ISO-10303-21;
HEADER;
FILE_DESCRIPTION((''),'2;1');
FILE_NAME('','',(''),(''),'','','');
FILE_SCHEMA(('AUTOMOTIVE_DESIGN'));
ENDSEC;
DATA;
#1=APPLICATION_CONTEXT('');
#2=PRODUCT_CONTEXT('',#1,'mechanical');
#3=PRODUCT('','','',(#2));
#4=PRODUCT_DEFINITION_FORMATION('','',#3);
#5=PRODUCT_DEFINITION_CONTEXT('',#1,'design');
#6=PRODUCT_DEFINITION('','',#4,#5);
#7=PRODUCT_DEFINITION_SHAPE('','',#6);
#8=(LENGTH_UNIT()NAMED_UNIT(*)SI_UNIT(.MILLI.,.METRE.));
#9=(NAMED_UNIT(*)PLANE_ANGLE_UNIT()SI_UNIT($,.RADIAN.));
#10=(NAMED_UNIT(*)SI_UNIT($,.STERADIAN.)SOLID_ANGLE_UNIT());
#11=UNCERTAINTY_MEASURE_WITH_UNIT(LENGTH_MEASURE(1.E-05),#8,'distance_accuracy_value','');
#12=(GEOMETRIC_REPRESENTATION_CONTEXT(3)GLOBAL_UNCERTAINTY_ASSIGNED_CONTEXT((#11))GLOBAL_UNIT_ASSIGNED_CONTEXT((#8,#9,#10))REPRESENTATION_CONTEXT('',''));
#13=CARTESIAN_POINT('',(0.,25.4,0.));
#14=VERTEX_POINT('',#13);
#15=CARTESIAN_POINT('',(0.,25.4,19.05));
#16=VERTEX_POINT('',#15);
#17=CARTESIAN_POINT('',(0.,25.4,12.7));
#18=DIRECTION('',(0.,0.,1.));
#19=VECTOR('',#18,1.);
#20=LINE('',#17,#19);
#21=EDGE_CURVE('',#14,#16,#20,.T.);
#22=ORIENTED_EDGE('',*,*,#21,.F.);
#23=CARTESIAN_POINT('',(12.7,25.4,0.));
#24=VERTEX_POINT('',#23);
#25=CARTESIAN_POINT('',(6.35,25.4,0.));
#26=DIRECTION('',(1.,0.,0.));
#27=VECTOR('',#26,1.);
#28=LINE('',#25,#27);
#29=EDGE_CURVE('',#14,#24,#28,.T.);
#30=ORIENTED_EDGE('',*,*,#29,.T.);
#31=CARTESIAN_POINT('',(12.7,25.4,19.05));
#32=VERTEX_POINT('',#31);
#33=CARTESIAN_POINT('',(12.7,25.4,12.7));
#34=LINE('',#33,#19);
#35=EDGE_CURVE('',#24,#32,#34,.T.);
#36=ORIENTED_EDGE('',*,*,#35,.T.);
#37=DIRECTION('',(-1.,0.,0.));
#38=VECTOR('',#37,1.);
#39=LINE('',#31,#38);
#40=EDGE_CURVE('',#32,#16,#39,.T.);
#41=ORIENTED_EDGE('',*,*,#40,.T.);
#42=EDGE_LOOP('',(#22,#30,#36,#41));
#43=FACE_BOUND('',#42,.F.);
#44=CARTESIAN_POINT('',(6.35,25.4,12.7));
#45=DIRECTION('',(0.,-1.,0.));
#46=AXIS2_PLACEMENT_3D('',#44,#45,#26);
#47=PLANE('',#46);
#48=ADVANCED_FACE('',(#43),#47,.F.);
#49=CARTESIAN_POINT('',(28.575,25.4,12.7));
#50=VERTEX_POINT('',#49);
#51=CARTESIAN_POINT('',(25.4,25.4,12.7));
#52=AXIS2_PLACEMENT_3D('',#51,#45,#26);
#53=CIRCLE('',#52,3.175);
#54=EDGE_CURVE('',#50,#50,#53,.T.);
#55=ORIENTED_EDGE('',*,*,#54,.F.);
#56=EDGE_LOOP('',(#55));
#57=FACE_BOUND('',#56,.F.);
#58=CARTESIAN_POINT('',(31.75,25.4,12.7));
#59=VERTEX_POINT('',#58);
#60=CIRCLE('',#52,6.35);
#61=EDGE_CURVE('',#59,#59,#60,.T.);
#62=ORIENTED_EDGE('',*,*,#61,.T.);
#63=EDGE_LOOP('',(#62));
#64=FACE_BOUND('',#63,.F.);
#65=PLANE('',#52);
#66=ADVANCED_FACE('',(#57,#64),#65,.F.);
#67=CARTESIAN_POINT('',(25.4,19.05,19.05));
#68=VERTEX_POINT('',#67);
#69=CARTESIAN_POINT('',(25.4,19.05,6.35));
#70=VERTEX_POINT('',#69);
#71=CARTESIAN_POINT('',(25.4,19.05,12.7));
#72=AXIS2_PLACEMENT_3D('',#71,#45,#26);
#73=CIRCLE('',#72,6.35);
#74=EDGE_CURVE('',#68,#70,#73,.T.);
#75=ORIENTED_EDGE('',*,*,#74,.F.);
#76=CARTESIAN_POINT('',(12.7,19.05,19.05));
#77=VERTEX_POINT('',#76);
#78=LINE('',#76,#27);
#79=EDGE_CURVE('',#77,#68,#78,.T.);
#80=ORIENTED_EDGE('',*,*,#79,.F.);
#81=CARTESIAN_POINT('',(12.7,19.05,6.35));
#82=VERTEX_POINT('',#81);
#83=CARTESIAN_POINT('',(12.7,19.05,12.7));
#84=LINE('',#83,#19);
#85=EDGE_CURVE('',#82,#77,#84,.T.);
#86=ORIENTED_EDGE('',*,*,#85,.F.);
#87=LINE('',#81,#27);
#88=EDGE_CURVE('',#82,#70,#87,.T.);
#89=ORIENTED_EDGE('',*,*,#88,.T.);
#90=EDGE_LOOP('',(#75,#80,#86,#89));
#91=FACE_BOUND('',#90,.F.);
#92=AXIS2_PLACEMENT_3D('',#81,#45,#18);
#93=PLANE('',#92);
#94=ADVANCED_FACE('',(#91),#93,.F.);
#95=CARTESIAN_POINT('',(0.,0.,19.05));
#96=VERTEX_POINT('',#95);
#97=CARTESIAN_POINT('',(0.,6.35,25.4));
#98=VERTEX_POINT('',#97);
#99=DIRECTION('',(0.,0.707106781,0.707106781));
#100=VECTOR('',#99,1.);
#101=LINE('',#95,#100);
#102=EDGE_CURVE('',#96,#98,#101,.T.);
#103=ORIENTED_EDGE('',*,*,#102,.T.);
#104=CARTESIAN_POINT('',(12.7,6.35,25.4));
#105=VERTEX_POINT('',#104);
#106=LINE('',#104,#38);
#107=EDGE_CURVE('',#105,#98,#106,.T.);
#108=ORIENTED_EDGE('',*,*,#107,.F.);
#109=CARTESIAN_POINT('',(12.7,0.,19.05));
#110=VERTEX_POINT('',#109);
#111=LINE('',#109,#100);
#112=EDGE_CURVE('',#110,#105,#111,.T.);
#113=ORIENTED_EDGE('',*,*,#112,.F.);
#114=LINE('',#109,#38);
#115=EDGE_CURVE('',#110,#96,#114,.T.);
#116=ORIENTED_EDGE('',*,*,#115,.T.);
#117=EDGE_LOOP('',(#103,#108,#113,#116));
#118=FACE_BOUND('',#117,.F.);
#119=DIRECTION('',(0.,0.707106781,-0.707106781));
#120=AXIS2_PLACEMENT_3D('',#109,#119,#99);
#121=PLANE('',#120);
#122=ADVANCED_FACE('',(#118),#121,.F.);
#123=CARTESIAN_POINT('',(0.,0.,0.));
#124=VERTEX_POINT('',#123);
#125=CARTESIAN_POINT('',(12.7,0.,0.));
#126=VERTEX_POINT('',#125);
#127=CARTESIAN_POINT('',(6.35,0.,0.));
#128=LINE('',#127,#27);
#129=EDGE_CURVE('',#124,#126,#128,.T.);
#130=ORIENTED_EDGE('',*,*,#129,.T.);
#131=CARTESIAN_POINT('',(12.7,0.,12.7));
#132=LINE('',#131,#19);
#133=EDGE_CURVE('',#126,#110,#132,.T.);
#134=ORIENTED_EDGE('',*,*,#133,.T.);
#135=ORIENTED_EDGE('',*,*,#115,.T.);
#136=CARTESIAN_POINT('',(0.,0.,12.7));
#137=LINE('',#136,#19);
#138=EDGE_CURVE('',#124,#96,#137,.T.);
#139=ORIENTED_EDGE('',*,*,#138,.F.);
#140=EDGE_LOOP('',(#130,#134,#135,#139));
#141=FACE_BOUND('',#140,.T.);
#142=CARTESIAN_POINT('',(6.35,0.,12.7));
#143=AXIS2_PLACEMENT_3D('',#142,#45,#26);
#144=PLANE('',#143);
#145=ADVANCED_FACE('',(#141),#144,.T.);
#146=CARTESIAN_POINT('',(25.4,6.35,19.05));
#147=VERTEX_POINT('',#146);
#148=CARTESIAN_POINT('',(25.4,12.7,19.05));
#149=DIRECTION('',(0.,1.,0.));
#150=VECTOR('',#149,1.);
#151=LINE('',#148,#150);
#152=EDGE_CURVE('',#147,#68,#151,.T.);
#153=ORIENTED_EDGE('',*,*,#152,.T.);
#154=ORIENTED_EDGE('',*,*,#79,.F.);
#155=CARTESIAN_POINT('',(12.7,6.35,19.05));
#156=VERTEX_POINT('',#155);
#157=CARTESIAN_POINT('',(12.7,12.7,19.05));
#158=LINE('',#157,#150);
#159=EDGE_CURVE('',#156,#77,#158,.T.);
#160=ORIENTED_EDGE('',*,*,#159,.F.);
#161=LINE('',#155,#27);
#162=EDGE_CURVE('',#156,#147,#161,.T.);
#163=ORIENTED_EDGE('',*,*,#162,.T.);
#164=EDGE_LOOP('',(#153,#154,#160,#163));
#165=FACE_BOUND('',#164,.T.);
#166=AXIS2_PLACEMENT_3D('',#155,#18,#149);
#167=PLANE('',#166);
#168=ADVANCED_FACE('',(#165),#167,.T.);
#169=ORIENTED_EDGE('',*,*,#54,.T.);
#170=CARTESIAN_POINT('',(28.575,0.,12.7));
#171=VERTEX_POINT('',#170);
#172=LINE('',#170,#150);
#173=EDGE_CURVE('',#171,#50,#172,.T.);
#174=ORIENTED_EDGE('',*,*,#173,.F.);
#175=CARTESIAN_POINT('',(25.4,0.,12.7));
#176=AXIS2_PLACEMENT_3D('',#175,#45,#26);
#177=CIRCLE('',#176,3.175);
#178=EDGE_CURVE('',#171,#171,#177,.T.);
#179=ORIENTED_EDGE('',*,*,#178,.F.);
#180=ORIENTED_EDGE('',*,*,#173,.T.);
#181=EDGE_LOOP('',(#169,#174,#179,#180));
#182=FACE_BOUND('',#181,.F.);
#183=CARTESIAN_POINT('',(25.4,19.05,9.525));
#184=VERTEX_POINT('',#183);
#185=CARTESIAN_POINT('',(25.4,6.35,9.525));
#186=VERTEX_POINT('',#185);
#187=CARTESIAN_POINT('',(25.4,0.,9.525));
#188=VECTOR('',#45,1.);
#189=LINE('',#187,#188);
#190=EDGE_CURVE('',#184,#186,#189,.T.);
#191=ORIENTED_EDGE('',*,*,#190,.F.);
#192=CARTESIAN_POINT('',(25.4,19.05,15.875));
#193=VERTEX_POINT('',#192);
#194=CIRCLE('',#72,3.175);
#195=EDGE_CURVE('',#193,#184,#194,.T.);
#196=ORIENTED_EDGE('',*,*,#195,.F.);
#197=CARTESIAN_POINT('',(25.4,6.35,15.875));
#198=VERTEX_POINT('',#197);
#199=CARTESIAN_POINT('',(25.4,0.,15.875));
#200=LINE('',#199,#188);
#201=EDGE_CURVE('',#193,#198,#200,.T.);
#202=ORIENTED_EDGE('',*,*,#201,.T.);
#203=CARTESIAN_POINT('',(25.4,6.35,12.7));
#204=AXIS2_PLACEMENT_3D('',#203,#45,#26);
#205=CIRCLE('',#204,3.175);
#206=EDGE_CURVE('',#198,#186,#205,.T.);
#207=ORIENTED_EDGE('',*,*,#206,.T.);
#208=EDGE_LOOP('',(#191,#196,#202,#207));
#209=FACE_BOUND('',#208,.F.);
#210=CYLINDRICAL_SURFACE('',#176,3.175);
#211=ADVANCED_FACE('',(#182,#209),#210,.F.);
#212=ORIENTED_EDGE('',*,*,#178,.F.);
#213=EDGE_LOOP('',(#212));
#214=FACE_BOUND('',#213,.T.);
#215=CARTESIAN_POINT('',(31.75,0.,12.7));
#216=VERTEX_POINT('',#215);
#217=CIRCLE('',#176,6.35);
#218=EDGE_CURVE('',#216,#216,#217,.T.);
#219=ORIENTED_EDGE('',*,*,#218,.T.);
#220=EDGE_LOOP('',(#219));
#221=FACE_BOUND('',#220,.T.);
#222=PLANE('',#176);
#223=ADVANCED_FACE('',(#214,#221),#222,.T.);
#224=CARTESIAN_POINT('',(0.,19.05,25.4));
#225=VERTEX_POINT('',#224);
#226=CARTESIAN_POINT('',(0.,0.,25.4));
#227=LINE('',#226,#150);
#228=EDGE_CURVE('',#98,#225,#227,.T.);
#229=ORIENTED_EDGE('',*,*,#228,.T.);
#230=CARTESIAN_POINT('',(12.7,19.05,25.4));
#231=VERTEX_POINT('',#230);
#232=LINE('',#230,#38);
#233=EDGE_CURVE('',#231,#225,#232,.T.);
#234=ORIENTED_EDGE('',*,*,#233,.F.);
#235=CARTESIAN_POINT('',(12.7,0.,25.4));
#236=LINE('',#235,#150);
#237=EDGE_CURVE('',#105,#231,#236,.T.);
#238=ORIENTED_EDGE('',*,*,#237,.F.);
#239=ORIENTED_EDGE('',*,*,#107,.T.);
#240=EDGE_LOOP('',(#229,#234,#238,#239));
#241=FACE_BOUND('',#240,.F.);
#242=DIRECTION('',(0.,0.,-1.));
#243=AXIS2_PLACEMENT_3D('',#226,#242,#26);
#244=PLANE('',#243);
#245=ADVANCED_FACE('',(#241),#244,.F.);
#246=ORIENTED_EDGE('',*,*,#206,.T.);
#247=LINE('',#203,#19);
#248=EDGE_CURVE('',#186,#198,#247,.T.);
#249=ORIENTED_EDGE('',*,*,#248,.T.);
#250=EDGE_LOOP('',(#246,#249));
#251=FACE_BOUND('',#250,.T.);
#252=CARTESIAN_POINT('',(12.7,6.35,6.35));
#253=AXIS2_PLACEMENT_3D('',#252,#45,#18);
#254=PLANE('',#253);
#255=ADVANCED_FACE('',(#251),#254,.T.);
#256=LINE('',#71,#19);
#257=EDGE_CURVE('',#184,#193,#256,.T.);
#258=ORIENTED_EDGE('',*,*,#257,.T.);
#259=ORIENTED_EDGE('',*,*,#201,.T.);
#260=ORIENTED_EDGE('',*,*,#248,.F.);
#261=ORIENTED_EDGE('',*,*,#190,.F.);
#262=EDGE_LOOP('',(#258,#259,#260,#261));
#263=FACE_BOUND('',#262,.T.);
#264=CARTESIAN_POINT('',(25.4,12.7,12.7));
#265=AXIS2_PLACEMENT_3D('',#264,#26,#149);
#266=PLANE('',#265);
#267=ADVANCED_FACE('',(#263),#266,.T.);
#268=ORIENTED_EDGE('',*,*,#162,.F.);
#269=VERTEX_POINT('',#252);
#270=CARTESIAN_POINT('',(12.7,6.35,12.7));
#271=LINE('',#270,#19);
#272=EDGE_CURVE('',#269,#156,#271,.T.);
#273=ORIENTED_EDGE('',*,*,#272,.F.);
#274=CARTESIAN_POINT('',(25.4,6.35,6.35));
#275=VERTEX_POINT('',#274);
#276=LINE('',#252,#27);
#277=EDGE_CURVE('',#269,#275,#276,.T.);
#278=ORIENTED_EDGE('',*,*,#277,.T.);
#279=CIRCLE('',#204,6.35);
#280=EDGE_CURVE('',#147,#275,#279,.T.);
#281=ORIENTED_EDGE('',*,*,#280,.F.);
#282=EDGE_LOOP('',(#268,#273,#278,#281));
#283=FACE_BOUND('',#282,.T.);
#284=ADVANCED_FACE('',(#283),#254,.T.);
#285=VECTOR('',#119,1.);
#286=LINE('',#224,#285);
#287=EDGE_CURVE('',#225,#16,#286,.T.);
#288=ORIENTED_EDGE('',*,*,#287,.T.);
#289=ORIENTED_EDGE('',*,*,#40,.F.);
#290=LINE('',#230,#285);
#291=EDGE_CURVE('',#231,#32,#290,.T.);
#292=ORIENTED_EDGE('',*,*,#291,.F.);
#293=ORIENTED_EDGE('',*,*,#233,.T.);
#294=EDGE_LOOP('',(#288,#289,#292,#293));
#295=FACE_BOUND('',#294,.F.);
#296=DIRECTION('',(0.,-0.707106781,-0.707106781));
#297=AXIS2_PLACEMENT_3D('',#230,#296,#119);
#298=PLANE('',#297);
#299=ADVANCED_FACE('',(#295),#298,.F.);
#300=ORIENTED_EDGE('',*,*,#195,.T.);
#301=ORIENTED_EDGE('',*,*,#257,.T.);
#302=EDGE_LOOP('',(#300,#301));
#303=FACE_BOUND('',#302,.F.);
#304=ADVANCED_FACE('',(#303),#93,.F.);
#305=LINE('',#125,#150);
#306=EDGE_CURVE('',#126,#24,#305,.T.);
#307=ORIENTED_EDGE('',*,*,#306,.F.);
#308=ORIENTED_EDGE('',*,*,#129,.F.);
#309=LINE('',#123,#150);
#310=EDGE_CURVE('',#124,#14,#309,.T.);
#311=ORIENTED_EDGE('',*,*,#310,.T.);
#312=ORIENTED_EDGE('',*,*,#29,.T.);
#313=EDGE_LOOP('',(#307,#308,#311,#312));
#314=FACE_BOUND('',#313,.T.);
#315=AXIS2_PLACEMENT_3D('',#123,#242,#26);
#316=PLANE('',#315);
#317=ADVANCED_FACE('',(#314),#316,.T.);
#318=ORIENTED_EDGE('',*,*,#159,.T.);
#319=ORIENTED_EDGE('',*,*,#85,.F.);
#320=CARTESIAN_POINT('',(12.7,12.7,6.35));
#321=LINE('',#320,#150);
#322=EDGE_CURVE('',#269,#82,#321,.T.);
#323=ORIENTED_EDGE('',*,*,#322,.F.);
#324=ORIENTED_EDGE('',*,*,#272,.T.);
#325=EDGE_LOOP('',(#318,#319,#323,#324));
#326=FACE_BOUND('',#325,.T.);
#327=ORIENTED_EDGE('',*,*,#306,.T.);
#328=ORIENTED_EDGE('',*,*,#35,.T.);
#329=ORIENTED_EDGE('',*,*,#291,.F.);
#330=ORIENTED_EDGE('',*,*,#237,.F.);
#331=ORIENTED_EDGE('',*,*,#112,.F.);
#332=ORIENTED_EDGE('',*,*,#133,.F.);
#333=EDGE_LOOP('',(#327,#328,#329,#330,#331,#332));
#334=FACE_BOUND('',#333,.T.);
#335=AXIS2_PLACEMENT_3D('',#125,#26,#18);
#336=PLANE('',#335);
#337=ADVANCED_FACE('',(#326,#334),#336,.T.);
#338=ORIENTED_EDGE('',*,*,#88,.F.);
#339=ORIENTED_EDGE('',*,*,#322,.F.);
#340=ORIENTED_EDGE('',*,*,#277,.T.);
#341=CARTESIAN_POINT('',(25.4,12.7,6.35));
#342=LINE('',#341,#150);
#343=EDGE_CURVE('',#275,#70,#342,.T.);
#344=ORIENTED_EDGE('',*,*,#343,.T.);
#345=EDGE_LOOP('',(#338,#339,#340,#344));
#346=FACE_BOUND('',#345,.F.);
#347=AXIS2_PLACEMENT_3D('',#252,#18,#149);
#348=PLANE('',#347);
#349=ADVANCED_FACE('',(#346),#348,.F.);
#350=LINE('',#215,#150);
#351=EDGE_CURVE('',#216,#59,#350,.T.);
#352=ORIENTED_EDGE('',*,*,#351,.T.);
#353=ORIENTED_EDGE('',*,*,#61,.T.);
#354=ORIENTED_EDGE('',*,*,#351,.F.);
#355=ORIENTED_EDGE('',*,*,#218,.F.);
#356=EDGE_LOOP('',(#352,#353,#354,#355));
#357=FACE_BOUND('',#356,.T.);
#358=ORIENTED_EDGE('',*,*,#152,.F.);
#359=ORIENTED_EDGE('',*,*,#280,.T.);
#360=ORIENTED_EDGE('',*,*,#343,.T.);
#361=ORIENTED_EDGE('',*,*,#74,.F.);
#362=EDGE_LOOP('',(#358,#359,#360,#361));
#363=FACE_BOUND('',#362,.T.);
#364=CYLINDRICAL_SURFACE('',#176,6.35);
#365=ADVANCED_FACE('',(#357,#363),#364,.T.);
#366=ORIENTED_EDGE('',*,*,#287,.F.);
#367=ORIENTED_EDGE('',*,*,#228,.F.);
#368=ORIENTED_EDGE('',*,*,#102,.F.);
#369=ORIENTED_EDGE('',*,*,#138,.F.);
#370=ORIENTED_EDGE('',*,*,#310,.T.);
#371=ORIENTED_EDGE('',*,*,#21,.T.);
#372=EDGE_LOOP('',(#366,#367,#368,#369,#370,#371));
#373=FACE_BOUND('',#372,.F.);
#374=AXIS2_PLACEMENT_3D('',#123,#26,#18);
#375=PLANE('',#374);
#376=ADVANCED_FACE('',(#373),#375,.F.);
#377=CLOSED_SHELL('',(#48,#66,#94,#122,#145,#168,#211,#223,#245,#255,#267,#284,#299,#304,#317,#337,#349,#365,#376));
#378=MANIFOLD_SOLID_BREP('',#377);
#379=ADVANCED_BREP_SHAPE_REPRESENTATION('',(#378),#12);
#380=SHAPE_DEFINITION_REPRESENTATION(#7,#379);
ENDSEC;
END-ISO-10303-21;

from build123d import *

# Parameters (mm, degrees)
F0_W     = 12.7
F0_H     = 25.4
F1_DEPTH = 25.4
F3_DEPTH = 12.7
F4_W     = 12.7
F4_H     = 12.7
F5_DEPTH = 12.7
F6_R     = 6.35
F6_R_2   = 3.175
F7_DEPTH = 25.4


with BuildPart() as f1:
    # F0 (on Front) → F1 (new body)
    with BuildSketch(Plane.XZ):
        with Locations((6.35, 12.7)):
            Rectangle(F0_W, F0_H)
    extrude(amount=-F1_DEPTH)

    # F2 (on face) → F3 (cut)
    with BuildSketch(Plane.YZ.offset(12.7)):
        Polygon((6.35, 25.4), (0, 25.4), (0, 19.05), align=None)
        Polygon((25.4, 25.4), (19.05, 25.4), (25.4, 19.05), align=None)
    extrude(amount=-F3_DEPTH, mode=Mode.SUBTRACT)

    # F4 (on face) → F5 (join)
    with BuildSketch(Plane.YZ.offset(12.7)):
        with Locations((12.7, 12.7)):
            Rectangle(F4_W, F4_H)
    extrude(amount=F5_DEPTH)

    # F6 (on Front) → F7 (join)
    with BuildSketch(Plane.XZ):
        with Locations((25.4, 12.7)):
            Circle(F6_R)
        with Locations((25.4, 12.7)):
            Circle(F6_R_2, mode=Mode.SUBTRACT)
    extrude(amount=-F7_DEPTH)


solid = f1.part
